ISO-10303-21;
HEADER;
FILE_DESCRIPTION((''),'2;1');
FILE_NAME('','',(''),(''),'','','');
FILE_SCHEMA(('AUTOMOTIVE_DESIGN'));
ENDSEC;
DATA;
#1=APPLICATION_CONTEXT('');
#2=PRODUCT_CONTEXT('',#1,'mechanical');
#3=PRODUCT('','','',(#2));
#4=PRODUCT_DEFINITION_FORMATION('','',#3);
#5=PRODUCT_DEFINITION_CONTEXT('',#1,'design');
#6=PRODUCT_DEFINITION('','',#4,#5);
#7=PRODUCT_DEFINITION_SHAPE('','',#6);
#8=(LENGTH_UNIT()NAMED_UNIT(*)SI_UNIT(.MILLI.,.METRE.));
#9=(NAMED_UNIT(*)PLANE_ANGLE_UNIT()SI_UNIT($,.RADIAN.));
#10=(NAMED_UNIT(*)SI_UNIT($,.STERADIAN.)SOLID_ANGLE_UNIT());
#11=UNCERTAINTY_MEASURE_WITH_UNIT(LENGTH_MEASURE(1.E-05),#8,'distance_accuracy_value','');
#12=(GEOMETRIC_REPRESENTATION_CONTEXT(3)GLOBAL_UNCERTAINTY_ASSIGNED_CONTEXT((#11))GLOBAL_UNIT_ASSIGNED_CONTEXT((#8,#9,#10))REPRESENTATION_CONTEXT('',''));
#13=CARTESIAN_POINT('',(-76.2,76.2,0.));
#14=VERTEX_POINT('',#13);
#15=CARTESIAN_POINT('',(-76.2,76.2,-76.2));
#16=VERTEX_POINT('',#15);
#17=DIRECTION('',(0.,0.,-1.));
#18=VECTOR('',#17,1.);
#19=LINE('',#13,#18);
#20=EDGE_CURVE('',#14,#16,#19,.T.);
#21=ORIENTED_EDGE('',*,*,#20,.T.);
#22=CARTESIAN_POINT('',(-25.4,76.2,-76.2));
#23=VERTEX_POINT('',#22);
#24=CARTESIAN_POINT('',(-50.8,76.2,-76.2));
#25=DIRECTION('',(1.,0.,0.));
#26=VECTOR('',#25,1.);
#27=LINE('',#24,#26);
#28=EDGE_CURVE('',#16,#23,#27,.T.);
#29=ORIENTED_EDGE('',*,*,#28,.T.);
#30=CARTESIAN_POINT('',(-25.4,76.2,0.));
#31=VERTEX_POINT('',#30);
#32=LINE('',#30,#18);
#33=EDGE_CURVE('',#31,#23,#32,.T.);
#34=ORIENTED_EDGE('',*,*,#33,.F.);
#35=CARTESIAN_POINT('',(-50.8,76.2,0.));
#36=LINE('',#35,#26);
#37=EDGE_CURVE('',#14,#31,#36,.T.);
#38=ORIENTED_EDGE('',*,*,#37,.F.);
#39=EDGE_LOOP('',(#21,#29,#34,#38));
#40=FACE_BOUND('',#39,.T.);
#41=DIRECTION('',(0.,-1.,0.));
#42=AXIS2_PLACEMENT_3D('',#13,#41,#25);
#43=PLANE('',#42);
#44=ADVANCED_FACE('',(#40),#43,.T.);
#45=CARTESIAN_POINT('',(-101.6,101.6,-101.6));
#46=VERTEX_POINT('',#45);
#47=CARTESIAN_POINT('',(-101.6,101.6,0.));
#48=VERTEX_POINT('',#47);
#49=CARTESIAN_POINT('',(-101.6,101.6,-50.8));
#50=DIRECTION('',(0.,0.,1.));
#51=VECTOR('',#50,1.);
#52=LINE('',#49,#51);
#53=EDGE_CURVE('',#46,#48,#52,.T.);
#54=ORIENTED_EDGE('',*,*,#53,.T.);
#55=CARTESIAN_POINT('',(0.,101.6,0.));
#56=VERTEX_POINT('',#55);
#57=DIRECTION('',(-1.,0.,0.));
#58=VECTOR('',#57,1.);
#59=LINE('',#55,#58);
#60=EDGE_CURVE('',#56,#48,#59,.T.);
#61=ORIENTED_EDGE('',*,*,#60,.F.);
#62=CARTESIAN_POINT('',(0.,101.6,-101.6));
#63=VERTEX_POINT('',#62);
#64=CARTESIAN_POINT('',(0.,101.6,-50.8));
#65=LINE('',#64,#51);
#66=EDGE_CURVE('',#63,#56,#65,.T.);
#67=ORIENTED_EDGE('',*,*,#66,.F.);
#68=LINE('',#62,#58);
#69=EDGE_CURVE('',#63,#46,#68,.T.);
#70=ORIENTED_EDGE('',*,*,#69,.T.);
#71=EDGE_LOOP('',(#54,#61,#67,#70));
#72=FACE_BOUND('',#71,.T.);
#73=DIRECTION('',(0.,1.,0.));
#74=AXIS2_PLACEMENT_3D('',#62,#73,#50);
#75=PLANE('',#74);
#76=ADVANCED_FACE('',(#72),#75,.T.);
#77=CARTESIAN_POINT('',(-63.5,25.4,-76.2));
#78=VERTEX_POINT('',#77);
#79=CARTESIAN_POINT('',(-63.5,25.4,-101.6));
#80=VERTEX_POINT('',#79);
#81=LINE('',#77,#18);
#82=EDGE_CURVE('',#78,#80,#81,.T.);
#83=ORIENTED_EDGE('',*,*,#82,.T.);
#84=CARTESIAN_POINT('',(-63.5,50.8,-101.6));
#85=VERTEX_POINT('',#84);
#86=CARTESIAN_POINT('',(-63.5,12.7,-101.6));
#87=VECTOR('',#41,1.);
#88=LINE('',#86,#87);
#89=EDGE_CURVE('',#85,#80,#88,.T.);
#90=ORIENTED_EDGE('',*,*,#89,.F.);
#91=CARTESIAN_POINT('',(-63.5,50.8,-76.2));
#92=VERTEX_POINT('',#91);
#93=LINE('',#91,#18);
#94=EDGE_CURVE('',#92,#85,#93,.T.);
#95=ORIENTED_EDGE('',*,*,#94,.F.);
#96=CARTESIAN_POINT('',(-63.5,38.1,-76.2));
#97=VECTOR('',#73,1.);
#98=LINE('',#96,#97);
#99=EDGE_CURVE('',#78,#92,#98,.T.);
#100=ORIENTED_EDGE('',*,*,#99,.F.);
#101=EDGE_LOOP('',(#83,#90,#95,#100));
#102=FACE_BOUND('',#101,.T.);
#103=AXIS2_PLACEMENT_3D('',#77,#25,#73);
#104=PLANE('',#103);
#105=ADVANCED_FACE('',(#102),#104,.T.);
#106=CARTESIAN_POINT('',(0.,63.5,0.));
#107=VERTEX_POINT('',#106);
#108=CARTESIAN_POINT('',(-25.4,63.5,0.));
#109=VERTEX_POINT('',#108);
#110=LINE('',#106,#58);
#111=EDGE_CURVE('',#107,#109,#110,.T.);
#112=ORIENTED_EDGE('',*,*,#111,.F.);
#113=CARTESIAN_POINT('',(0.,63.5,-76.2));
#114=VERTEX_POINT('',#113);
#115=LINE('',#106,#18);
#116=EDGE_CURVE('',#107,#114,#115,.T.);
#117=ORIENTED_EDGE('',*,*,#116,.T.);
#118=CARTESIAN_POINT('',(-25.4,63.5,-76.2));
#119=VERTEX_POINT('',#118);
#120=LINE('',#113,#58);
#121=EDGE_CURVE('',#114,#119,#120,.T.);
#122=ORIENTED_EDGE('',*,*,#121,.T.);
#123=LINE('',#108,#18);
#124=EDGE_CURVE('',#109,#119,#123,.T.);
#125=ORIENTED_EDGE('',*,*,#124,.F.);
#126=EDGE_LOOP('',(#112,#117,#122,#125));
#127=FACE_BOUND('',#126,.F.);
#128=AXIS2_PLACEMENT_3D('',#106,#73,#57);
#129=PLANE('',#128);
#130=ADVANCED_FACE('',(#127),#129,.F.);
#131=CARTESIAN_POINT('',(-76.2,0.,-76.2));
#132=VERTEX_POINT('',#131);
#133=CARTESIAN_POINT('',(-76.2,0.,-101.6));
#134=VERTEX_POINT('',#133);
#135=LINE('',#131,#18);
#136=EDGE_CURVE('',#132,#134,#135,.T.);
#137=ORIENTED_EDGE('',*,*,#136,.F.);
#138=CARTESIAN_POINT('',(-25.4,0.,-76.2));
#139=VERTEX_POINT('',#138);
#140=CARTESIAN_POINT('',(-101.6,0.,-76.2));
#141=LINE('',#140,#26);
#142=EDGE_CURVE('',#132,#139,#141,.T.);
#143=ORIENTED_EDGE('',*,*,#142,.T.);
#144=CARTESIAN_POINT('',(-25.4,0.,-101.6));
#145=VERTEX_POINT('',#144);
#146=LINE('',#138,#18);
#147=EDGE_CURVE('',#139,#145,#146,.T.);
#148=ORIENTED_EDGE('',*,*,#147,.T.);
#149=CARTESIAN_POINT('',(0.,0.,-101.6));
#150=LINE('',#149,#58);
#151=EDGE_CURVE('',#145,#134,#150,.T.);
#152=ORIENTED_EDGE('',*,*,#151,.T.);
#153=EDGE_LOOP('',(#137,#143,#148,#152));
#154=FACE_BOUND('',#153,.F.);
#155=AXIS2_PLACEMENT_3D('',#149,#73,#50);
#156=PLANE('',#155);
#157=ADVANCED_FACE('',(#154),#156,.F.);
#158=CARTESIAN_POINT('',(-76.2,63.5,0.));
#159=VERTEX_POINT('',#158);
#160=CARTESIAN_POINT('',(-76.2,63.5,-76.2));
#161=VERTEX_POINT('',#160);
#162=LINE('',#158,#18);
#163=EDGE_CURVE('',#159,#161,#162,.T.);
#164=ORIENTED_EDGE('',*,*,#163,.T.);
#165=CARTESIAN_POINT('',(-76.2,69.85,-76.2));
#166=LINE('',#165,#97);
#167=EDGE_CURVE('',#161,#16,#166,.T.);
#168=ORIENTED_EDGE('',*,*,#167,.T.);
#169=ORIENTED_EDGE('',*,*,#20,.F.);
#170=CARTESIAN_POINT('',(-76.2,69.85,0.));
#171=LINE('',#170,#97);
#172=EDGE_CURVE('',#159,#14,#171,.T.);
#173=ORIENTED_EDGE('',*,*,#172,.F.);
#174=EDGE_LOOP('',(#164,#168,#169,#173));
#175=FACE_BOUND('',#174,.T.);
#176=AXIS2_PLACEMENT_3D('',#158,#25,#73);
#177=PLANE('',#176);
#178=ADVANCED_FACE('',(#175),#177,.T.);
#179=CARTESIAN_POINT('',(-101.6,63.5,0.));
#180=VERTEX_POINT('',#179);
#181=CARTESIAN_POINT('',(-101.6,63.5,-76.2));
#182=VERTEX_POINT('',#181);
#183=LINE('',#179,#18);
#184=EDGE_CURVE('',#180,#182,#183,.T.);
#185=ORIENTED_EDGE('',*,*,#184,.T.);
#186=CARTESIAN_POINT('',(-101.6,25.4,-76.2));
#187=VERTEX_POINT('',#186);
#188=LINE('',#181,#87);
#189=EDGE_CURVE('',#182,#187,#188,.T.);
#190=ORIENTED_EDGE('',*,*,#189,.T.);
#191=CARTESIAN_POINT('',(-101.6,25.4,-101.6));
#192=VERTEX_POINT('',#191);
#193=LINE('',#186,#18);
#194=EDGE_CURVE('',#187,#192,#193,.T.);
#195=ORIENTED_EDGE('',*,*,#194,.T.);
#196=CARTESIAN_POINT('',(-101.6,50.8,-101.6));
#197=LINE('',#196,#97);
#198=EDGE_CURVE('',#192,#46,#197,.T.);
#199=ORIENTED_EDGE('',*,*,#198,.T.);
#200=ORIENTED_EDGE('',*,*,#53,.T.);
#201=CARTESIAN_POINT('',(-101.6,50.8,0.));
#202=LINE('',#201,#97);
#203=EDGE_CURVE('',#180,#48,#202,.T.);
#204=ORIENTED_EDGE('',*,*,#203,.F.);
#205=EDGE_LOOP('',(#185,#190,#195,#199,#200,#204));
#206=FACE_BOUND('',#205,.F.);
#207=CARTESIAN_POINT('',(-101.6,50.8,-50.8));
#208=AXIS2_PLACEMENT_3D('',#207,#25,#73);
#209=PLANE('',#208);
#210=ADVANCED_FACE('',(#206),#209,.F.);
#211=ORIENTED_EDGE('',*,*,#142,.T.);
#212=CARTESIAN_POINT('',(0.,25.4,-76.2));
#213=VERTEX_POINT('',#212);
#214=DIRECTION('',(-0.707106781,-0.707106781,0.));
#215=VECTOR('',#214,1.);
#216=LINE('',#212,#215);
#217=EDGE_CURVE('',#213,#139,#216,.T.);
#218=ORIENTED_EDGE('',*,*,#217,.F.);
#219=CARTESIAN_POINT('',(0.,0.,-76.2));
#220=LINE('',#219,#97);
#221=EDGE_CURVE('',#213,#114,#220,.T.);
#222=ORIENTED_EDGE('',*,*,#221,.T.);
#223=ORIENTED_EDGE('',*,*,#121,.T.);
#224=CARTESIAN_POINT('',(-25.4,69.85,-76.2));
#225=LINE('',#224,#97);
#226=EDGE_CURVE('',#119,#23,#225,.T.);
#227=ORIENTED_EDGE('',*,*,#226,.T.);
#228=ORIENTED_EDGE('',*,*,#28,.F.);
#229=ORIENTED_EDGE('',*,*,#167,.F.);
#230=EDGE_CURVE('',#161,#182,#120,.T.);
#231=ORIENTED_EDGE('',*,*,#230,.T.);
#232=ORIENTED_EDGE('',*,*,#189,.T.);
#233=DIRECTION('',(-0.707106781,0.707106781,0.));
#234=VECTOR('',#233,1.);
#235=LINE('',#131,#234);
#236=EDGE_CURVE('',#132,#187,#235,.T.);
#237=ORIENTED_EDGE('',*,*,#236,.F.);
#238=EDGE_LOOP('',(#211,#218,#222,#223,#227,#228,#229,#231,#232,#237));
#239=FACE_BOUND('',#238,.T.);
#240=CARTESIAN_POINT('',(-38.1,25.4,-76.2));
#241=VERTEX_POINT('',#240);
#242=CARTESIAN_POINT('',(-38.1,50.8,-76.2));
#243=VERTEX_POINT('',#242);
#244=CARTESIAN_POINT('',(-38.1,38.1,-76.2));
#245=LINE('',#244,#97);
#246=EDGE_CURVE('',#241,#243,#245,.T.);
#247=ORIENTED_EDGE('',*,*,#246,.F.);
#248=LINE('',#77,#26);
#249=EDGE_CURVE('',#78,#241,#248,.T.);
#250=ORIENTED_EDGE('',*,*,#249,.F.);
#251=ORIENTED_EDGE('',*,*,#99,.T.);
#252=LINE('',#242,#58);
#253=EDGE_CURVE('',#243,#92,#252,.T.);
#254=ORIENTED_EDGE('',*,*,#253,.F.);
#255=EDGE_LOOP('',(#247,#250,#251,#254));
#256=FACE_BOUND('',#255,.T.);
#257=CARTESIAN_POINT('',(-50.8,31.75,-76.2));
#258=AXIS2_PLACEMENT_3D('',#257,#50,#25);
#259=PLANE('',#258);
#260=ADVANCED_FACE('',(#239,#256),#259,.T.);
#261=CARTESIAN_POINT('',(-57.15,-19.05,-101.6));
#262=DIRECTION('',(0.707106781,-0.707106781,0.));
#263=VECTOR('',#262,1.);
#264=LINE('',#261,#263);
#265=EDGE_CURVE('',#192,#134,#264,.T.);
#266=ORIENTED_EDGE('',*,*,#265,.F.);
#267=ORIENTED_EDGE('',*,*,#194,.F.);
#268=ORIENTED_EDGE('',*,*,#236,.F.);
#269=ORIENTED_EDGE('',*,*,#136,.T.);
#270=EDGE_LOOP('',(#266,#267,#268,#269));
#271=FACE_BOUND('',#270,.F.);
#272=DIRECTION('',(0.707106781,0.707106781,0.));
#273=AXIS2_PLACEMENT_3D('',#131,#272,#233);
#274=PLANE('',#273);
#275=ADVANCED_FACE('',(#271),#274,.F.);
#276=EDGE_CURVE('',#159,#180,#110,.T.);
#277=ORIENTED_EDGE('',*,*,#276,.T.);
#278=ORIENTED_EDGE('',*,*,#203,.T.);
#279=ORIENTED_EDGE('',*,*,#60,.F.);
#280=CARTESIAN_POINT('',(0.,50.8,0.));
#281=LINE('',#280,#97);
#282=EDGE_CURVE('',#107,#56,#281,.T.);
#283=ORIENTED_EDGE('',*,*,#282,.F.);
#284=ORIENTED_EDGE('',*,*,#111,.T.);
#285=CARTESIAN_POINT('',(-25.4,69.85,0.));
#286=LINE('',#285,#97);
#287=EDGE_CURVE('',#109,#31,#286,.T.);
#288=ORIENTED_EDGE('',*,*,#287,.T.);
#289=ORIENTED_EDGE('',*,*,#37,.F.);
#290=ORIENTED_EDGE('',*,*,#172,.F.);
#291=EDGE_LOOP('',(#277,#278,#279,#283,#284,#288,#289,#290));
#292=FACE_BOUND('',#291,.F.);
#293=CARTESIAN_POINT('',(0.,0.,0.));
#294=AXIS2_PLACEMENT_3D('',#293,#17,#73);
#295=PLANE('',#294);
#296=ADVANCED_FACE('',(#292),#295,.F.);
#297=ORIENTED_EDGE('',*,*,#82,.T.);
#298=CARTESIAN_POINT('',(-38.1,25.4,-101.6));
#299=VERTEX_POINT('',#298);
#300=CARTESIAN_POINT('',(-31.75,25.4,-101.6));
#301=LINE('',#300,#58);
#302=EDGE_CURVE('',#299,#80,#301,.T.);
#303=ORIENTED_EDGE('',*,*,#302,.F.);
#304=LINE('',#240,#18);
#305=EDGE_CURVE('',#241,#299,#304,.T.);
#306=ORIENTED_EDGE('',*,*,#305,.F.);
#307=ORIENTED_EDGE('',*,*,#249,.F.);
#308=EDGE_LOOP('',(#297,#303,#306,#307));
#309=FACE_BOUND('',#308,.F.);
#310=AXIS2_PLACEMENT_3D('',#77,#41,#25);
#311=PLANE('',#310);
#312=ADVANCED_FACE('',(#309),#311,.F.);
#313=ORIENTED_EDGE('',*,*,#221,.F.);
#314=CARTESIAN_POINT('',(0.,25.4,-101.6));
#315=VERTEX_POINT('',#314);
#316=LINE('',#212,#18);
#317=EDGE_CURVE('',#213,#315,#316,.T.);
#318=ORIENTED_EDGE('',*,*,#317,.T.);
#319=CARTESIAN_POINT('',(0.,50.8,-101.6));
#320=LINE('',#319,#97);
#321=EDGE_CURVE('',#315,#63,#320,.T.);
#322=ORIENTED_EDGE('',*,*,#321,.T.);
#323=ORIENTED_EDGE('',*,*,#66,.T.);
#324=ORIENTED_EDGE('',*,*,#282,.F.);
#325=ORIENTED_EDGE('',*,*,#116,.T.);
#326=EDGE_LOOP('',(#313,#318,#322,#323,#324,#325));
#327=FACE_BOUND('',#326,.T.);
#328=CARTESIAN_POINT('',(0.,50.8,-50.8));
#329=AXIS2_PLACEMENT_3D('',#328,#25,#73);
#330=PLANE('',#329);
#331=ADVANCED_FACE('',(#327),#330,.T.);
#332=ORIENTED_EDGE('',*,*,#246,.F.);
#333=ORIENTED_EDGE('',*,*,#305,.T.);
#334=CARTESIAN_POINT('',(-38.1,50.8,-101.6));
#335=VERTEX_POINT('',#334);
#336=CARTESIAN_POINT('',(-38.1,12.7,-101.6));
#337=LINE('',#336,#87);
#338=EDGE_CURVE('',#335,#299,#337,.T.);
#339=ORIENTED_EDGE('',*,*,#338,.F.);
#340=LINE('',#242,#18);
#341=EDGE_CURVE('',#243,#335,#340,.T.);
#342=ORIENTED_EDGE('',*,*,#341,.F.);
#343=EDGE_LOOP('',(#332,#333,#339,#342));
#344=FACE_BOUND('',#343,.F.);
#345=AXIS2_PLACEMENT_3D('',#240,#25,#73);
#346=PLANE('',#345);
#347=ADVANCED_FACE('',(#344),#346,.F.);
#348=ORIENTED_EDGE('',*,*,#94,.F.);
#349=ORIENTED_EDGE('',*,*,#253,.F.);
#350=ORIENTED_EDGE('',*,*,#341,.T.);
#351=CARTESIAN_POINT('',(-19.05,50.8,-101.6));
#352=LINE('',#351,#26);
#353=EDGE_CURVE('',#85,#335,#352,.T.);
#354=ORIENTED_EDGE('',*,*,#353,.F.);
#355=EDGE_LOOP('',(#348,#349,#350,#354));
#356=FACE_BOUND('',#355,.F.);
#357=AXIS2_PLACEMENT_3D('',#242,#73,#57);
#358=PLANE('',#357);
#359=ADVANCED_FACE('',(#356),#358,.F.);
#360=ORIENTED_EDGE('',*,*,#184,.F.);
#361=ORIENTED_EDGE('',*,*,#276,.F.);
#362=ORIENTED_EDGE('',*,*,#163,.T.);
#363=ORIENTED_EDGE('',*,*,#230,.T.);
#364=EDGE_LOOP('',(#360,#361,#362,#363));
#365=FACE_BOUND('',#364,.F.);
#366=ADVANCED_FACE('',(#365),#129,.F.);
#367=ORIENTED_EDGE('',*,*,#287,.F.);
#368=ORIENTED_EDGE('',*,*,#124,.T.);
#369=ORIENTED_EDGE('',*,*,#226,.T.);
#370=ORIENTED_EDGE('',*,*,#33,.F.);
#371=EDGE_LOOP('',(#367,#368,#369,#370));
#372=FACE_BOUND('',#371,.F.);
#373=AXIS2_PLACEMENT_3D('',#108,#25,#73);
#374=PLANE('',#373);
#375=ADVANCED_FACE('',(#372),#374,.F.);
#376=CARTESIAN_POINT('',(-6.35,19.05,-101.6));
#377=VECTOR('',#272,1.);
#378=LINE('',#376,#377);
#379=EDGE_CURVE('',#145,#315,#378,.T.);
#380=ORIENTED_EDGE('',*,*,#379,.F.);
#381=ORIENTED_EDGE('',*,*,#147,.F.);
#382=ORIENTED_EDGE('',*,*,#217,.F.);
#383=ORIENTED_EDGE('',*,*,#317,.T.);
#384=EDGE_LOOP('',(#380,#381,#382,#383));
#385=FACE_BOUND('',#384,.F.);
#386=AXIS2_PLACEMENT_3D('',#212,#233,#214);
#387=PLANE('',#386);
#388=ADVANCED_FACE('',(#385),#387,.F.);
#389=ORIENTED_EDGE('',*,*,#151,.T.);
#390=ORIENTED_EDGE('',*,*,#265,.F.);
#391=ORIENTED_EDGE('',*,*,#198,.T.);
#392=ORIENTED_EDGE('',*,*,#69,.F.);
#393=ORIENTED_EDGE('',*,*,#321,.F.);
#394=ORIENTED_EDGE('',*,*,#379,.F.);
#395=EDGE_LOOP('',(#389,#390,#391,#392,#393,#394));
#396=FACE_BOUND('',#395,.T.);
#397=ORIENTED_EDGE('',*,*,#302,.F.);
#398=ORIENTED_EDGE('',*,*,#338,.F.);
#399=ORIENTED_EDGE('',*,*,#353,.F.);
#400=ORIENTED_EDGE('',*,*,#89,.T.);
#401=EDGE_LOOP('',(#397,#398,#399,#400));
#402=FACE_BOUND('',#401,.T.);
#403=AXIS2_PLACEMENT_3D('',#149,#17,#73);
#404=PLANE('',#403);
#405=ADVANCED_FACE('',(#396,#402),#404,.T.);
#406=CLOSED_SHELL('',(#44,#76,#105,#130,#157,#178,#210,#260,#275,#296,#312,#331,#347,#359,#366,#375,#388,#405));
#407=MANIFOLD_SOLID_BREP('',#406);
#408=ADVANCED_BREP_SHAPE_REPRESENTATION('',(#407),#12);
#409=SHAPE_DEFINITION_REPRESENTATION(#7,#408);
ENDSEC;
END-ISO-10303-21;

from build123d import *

# Parameters (mm, degrees)
F0_W     = 101.6
F0_H     = 101.6
F1_DEPTH = 101.6
F3_DEPTH = 76.2
F4_W     = 50.8
F4_H     = 12.7
F5_DEPTH = 76.2
F6_W     = 12.7
F6_H     = 25.4
F7_DEPTH = 68.326


with BuildPart() as f1:
    # F0 (on Right) → F1 (new body)
    with BuildSketch(Plane.YZ):
        with Locations((50.8, -50.8)):
            Rectangle(F0_W, F0_H)
    extrude(amount=-F1_DEPTH)

    # F2 (on face) → F3 (cut)
    with BuildSketch(Plane.XY):
        Polygon((-76.2, 63.5), (-101.6, 63.5), (-101.6, 0), (0, 0), (0, 63.5), (-25.4, 63.5), align=None)
    extrude(amount=-F3_DEPTH, mode=Mode.SUBTRACT)

    # F4 (on face) → F5 (cut)
    with BuildSketch(Plane.XY):
        with Locations((-50.8, 69.85)):
            Rectangle(F4_W, F4_H)
    extrude(amount=-F5_DEPTH, mode=Mode.SUBTRACT)

    # F6 (on face) → F7 (cut)
    with BuildSketch(Plane.XY.offset(-76.2)):
        Polygon((-101.6, 25.4), (-101.6, 0), (-76.2, 0), align=None)
        Polygon((0, 0), (0, 25.4), (-25.4, 0), align=None)
        with Locations((-57.15, 38.1)):
            Rectangle(F6_W, F6_H)
        with Locations((-44.45, 38.1)):
            Rectangle(F6_W, F6_H)
    extrude(amount=-F7_DEPTH, mode=Mode.SUBTRACT)


solid = f1.part
